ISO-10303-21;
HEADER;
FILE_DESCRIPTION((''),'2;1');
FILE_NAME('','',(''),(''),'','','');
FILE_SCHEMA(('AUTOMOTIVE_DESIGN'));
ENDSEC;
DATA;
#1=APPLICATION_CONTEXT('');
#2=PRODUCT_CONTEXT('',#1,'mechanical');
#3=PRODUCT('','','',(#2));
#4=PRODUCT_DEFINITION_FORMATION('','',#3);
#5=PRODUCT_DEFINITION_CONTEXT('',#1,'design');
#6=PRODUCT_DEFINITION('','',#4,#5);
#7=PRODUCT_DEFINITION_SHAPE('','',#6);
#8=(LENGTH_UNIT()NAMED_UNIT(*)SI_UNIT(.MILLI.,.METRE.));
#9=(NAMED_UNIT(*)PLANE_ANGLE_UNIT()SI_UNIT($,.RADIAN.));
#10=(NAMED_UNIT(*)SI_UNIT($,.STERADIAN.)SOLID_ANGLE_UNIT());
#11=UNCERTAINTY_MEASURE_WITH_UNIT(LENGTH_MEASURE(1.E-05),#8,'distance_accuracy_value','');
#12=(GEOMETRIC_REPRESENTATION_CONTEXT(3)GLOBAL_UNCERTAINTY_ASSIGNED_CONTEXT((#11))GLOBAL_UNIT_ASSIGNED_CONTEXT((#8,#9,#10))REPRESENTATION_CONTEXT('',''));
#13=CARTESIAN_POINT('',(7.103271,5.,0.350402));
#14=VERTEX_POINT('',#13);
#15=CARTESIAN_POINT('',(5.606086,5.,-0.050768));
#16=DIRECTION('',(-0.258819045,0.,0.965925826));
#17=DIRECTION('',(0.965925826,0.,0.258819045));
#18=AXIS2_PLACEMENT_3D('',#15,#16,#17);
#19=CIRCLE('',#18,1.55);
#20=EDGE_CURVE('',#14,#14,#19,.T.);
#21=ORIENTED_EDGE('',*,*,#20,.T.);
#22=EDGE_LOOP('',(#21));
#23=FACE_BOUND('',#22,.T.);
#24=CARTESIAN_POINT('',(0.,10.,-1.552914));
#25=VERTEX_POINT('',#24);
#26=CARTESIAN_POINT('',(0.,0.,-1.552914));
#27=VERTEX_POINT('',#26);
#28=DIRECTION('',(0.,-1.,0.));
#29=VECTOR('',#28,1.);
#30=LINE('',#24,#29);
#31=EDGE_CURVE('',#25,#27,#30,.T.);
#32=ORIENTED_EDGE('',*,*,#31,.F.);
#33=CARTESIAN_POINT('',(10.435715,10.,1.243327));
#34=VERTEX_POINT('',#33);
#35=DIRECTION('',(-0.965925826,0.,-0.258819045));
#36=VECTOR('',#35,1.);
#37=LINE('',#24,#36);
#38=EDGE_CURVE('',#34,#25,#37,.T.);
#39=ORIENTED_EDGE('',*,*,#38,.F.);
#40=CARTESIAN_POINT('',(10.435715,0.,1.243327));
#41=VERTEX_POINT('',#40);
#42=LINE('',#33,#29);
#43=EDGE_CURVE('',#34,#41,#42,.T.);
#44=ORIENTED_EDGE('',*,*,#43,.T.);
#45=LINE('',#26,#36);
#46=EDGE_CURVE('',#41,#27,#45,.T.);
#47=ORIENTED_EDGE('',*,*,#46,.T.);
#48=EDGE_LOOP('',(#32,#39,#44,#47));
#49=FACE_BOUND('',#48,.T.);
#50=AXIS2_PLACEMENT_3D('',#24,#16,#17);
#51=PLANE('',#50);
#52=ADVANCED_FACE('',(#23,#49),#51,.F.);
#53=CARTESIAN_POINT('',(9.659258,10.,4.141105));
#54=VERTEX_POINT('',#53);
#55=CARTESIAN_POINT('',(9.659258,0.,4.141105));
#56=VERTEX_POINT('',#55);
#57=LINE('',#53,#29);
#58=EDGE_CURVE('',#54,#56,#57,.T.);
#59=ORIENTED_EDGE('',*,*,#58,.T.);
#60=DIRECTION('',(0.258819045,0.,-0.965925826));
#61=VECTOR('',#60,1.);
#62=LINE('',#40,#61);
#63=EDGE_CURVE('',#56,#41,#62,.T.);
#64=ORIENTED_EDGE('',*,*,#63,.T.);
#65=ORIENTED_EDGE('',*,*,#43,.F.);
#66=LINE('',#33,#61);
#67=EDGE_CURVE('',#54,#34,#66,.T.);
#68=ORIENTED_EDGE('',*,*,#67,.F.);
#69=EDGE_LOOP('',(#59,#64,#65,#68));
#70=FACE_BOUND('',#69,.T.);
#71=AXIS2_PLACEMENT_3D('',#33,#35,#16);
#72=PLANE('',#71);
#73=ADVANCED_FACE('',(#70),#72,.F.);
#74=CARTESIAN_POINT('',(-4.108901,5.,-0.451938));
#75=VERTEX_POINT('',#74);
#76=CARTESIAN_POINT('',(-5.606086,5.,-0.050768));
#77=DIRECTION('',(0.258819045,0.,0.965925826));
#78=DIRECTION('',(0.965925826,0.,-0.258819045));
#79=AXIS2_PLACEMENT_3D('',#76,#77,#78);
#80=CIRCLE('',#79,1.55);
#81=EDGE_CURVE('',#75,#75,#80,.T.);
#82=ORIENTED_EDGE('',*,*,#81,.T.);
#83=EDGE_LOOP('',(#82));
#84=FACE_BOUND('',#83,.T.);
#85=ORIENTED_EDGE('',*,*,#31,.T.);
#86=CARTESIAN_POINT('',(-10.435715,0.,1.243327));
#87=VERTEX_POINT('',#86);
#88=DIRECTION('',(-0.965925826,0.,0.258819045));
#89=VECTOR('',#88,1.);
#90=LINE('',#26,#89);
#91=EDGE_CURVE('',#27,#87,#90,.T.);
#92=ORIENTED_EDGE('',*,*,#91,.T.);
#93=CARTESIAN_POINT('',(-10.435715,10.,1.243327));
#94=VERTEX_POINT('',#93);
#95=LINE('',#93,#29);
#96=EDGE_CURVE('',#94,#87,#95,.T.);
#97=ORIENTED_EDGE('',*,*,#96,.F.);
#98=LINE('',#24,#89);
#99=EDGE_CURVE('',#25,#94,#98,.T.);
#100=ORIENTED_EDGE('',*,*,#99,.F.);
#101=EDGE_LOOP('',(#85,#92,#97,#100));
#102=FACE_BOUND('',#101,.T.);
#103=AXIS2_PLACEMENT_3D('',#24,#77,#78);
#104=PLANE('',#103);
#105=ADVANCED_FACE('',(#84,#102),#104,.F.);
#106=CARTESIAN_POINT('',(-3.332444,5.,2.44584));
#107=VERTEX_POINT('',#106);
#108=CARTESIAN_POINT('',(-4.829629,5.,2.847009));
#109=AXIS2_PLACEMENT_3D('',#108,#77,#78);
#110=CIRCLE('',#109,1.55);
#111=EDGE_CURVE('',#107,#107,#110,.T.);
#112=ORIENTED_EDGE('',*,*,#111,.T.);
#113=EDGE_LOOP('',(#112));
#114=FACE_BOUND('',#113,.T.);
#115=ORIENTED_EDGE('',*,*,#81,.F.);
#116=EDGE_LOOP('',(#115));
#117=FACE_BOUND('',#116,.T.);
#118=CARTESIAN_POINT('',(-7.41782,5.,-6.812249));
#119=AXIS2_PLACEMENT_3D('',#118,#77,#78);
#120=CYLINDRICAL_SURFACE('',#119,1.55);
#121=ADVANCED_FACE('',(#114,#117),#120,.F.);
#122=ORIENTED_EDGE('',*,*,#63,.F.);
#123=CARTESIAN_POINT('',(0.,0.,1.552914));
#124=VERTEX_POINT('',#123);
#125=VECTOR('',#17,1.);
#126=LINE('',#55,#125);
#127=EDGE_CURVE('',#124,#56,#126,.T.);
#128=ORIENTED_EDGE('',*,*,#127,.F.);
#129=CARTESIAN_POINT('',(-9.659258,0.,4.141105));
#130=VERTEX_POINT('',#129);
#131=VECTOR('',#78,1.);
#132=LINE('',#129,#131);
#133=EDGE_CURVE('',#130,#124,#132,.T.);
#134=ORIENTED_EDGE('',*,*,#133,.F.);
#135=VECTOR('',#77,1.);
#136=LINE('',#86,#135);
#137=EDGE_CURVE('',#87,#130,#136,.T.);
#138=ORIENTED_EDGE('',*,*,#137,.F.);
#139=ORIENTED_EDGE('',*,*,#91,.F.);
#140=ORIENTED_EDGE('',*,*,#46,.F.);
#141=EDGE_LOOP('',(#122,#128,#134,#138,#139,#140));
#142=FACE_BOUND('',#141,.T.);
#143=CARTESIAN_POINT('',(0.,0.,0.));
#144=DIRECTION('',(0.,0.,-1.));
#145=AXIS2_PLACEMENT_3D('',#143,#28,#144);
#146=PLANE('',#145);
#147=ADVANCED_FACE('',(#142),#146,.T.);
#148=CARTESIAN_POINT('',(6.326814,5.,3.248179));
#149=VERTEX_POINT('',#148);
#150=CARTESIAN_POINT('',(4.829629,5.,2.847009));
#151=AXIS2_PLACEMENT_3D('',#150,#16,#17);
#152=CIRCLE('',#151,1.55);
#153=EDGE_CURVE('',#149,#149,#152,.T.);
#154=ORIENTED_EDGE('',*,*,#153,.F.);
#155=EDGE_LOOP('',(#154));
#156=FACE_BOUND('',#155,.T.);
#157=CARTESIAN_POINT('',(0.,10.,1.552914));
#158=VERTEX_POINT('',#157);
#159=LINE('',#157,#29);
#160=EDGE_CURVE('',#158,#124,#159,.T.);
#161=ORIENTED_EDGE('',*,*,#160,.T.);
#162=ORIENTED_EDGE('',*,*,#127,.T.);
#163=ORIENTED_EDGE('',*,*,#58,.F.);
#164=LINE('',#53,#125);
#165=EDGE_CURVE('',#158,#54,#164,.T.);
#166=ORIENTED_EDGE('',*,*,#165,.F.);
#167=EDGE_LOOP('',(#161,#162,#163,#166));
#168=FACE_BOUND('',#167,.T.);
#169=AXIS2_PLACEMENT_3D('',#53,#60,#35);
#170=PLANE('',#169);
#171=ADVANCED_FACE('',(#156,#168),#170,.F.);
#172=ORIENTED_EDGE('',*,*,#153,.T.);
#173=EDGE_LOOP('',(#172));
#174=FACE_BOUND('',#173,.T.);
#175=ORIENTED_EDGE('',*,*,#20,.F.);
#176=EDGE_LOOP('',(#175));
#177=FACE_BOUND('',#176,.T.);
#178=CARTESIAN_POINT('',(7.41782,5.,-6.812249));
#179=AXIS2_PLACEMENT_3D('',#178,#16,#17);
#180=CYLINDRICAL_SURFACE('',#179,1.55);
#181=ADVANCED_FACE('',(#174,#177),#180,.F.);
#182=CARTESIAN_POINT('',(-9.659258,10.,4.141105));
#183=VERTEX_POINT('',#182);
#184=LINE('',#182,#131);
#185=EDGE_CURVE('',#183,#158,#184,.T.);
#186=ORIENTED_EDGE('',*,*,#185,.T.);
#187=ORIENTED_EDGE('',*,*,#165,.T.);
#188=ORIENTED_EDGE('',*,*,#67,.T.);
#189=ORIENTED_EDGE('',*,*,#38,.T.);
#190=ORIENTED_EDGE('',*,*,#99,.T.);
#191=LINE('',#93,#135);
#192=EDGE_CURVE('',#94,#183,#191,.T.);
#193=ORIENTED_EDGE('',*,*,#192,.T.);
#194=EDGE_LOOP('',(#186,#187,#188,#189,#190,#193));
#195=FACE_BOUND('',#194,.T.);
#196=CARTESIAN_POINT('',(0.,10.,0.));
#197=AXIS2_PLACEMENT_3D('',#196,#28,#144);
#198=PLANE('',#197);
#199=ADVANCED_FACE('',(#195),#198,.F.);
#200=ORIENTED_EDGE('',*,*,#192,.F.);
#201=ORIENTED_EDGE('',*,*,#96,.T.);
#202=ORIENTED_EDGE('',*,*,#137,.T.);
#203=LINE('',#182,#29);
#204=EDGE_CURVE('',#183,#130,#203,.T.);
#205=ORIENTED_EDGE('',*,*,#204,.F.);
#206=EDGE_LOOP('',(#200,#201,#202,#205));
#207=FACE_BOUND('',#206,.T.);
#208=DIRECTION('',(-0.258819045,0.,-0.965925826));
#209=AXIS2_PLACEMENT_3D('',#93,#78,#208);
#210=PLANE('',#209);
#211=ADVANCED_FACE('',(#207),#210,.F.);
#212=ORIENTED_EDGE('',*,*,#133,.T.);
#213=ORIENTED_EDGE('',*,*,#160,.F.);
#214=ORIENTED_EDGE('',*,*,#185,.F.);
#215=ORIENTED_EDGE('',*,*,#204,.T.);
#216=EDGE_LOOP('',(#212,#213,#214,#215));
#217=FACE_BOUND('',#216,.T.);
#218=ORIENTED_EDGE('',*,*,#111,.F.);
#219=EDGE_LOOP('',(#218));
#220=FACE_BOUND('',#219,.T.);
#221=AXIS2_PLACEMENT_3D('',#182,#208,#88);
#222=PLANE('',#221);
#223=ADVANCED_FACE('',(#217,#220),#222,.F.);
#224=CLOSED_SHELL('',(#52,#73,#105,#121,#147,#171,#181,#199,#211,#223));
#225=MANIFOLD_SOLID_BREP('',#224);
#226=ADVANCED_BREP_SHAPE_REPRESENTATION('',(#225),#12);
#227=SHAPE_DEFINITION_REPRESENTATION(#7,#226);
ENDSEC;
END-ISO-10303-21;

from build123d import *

# Parameters (mm, degrees)
BOSS_EXTRUDE1_DEPTH = 10
SKETCH5_R           = 1.55
CUT_EXTRUDE3_DEPTH  = 10
SKETCH6_R           = 1.55
CUT_EXTRUDE4_DEPTH  = 10


with BuildPart() as part:
    # Sketch1 → Boss-Extrude1 (new body)
    with BuildSketch(Plane(origin=(0, 0, 0), x_dir=(1, 0, 0), z_dir=(0, 1, 0))):
        Polygon((0, 1.552914271), (-10.435715398, -1.243327243), (-9.659258263, -4.141104722), (0, -1.552914271), (9.659258263, -4.141104722), (10.435715398, -1.243327243), align=None)
    extrude(amount=BOSS_EXTRUDE1_DEPTH)

    # Sketch5 → Cut-Extrude3 (cut)
    with BuildSketch(Plane(origin=(0.388228568, 0, 1.448888739), x_dir=(0.9659258262890673, 0, -0.2588190451025247), z_dir=(0.2588190451025247, 0, 0.9659258262890673))):
        with Locations((-5.401923789, 5)):
            Circle(SKETCH5_R)
    extrude(amount=-CUT_EXTRUDE3_DEPTH, mode=Mode.SUBTRACT)

    # Sketch6 → Cut-Extrude4 (cut)
    with BuildSketch(Plane(origin=(-0.388228568, 0, 1.448888739), x_dir=(0.9659258262890674, 0, 0.2588190451025243), z_dir=(-0.2588190451025243, 0, 0.9659258262890674))):
        with Locations((5.401923789, 5)):
            Circle(SKETCH6_R)
    extrude(amount=-CUT_EXTRUDE4_DEPTH, mode=Mode.SUBTRACT)


solid = part.part
